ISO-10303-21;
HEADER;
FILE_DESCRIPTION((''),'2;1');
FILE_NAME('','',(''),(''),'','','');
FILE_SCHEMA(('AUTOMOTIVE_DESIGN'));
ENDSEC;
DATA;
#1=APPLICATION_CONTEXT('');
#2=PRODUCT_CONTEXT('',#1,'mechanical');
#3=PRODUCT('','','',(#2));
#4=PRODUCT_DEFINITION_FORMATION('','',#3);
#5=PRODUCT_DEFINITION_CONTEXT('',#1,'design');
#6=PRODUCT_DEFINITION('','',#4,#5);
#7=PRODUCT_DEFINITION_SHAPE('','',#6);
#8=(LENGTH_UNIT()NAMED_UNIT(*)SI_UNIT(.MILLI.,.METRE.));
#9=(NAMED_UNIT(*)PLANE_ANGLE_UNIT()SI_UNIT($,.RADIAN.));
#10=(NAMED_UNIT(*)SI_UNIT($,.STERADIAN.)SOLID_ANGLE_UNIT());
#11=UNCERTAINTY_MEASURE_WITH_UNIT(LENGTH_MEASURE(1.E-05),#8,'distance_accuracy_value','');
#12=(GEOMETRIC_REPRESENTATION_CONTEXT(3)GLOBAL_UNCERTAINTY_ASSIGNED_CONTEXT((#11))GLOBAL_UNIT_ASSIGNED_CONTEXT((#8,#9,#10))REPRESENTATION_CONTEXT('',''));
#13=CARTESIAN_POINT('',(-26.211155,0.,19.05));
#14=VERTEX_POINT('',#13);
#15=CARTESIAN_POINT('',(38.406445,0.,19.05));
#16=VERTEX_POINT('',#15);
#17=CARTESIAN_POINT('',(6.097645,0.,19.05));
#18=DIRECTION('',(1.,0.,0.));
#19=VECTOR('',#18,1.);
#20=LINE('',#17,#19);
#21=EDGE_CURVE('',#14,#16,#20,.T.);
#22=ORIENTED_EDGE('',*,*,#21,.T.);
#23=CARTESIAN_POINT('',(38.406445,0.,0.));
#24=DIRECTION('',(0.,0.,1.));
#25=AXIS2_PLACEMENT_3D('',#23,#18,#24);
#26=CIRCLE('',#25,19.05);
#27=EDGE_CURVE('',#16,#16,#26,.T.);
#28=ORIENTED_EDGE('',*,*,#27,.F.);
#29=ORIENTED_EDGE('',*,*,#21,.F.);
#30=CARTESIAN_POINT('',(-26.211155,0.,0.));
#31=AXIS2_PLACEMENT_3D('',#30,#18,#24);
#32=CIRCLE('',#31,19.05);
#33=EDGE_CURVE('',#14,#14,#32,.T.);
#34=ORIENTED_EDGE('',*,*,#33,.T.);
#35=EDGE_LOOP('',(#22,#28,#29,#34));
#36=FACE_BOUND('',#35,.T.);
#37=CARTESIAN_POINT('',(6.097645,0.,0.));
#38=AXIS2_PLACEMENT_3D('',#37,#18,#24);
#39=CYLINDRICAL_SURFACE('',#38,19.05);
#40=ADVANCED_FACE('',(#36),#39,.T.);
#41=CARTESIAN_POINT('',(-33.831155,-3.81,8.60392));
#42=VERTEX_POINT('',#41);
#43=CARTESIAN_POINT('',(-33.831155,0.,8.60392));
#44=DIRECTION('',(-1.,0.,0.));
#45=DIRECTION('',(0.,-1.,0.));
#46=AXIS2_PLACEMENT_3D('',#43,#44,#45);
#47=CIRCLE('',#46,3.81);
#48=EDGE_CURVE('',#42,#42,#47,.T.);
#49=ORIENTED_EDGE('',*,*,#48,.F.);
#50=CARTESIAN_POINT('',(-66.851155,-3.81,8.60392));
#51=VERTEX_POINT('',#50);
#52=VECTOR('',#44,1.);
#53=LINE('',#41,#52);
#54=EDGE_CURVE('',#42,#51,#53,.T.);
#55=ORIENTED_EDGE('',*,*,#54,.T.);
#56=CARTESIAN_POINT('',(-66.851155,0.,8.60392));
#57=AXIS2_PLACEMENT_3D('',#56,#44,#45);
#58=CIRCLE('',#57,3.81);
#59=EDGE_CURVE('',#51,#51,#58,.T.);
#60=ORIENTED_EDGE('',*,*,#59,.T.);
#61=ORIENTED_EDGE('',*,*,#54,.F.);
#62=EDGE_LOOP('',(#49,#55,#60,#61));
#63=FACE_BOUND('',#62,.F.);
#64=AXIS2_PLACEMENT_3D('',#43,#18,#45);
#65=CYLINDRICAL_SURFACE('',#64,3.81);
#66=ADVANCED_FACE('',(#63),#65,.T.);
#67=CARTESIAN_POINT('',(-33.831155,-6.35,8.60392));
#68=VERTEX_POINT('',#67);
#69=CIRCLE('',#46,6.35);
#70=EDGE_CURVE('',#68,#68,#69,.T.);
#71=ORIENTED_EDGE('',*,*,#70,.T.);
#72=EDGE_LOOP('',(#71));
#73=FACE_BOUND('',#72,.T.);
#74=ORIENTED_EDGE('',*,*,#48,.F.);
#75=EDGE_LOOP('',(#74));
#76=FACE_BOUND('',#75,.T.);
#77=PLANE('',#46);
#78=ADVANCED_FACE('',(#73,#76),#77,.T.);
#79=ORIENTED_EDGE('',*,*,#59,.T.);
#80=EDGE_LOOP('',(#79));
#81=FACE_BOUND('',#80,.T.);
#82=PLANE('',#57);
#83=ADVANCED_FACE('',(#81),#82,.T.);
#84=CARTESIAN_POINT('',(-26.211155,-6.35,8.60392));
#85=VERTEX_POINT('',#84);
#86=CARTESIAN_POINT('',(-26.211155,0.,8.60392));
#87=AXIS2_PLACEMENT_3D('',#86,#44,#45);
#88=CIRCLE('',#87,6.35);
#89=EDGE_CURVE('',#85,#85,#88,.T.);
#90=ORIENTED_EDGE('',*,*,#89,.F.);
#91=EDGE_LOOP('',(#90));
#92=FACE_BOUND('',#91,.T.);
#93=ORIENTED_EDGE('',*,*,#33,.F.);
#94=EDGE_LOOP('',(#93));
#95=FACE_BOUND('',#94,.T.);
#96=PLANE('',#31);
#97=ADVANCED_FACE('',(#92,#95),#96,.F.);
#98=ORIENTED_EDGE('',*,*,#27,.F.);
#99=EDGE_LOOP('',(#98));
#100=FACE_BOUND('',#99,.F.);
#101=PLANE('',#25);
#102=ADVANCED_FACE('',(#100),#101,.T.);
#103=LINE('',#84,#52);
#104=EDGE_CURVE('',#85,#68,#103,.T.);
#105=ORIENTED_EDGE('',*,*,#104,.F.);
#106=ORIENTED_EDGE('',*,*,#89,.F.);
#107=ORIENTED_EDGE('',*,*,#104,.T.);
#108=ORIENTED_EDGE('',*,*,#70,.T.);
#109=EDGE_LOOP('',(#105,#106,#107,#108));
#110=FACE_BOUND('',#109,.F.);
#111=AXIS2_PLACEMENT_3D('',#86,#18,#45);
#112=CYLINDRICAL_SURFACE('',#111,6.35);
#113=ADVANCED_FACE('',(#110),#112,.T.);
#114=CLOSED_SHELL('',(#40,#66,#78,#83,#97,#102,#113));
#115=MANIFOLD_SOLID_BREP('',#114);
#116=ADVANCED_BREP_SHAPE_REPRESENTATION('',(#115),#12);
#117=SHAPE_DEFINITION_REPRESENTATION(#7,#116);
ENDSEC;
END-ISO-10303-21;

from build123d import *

# Parameters (mm, degrees)
F0_W     = 64.6176
F0_H     = 19.05
F2_R     = 6.35
F3_DEPTH = 7.62
F4_R     = 3.81
F5_DEPTH = 33.02


with BuildPart() as f1:
    # F0 (on Front) → F1 (revolve)
    with BuildSketch(Plane.XZ):
        with Locations((6.097645, 9.525)):
            Rectangle(F0_W, F0_H)
    revolve(axis=Axis((6.097645, 0, 0), (1, 0, 0)))

    # F2 (on face) → F3 (join)
    with BuildSketch(Plane(origin=(-26.211155, 0, 0), x_dir=(0, -1, 0), z_dir=(-1, 0, 0))):
        with Locations((0, 8.60392)):
            Circle(F2_R)
    extrude(amount=F3_DEPTH)

    # F4 (on face) → F5 (join)
    with BuildSketch(Plane(origin=(-33.831155, 0, 0), x_dir=(0, -1, 0), z_dir=(-1, 0, 0))):
        with Locations((0, 8.60392)):
            Circle(F4_R)
    extrude(amount=F5_DEPTH)


solid = f1.part
